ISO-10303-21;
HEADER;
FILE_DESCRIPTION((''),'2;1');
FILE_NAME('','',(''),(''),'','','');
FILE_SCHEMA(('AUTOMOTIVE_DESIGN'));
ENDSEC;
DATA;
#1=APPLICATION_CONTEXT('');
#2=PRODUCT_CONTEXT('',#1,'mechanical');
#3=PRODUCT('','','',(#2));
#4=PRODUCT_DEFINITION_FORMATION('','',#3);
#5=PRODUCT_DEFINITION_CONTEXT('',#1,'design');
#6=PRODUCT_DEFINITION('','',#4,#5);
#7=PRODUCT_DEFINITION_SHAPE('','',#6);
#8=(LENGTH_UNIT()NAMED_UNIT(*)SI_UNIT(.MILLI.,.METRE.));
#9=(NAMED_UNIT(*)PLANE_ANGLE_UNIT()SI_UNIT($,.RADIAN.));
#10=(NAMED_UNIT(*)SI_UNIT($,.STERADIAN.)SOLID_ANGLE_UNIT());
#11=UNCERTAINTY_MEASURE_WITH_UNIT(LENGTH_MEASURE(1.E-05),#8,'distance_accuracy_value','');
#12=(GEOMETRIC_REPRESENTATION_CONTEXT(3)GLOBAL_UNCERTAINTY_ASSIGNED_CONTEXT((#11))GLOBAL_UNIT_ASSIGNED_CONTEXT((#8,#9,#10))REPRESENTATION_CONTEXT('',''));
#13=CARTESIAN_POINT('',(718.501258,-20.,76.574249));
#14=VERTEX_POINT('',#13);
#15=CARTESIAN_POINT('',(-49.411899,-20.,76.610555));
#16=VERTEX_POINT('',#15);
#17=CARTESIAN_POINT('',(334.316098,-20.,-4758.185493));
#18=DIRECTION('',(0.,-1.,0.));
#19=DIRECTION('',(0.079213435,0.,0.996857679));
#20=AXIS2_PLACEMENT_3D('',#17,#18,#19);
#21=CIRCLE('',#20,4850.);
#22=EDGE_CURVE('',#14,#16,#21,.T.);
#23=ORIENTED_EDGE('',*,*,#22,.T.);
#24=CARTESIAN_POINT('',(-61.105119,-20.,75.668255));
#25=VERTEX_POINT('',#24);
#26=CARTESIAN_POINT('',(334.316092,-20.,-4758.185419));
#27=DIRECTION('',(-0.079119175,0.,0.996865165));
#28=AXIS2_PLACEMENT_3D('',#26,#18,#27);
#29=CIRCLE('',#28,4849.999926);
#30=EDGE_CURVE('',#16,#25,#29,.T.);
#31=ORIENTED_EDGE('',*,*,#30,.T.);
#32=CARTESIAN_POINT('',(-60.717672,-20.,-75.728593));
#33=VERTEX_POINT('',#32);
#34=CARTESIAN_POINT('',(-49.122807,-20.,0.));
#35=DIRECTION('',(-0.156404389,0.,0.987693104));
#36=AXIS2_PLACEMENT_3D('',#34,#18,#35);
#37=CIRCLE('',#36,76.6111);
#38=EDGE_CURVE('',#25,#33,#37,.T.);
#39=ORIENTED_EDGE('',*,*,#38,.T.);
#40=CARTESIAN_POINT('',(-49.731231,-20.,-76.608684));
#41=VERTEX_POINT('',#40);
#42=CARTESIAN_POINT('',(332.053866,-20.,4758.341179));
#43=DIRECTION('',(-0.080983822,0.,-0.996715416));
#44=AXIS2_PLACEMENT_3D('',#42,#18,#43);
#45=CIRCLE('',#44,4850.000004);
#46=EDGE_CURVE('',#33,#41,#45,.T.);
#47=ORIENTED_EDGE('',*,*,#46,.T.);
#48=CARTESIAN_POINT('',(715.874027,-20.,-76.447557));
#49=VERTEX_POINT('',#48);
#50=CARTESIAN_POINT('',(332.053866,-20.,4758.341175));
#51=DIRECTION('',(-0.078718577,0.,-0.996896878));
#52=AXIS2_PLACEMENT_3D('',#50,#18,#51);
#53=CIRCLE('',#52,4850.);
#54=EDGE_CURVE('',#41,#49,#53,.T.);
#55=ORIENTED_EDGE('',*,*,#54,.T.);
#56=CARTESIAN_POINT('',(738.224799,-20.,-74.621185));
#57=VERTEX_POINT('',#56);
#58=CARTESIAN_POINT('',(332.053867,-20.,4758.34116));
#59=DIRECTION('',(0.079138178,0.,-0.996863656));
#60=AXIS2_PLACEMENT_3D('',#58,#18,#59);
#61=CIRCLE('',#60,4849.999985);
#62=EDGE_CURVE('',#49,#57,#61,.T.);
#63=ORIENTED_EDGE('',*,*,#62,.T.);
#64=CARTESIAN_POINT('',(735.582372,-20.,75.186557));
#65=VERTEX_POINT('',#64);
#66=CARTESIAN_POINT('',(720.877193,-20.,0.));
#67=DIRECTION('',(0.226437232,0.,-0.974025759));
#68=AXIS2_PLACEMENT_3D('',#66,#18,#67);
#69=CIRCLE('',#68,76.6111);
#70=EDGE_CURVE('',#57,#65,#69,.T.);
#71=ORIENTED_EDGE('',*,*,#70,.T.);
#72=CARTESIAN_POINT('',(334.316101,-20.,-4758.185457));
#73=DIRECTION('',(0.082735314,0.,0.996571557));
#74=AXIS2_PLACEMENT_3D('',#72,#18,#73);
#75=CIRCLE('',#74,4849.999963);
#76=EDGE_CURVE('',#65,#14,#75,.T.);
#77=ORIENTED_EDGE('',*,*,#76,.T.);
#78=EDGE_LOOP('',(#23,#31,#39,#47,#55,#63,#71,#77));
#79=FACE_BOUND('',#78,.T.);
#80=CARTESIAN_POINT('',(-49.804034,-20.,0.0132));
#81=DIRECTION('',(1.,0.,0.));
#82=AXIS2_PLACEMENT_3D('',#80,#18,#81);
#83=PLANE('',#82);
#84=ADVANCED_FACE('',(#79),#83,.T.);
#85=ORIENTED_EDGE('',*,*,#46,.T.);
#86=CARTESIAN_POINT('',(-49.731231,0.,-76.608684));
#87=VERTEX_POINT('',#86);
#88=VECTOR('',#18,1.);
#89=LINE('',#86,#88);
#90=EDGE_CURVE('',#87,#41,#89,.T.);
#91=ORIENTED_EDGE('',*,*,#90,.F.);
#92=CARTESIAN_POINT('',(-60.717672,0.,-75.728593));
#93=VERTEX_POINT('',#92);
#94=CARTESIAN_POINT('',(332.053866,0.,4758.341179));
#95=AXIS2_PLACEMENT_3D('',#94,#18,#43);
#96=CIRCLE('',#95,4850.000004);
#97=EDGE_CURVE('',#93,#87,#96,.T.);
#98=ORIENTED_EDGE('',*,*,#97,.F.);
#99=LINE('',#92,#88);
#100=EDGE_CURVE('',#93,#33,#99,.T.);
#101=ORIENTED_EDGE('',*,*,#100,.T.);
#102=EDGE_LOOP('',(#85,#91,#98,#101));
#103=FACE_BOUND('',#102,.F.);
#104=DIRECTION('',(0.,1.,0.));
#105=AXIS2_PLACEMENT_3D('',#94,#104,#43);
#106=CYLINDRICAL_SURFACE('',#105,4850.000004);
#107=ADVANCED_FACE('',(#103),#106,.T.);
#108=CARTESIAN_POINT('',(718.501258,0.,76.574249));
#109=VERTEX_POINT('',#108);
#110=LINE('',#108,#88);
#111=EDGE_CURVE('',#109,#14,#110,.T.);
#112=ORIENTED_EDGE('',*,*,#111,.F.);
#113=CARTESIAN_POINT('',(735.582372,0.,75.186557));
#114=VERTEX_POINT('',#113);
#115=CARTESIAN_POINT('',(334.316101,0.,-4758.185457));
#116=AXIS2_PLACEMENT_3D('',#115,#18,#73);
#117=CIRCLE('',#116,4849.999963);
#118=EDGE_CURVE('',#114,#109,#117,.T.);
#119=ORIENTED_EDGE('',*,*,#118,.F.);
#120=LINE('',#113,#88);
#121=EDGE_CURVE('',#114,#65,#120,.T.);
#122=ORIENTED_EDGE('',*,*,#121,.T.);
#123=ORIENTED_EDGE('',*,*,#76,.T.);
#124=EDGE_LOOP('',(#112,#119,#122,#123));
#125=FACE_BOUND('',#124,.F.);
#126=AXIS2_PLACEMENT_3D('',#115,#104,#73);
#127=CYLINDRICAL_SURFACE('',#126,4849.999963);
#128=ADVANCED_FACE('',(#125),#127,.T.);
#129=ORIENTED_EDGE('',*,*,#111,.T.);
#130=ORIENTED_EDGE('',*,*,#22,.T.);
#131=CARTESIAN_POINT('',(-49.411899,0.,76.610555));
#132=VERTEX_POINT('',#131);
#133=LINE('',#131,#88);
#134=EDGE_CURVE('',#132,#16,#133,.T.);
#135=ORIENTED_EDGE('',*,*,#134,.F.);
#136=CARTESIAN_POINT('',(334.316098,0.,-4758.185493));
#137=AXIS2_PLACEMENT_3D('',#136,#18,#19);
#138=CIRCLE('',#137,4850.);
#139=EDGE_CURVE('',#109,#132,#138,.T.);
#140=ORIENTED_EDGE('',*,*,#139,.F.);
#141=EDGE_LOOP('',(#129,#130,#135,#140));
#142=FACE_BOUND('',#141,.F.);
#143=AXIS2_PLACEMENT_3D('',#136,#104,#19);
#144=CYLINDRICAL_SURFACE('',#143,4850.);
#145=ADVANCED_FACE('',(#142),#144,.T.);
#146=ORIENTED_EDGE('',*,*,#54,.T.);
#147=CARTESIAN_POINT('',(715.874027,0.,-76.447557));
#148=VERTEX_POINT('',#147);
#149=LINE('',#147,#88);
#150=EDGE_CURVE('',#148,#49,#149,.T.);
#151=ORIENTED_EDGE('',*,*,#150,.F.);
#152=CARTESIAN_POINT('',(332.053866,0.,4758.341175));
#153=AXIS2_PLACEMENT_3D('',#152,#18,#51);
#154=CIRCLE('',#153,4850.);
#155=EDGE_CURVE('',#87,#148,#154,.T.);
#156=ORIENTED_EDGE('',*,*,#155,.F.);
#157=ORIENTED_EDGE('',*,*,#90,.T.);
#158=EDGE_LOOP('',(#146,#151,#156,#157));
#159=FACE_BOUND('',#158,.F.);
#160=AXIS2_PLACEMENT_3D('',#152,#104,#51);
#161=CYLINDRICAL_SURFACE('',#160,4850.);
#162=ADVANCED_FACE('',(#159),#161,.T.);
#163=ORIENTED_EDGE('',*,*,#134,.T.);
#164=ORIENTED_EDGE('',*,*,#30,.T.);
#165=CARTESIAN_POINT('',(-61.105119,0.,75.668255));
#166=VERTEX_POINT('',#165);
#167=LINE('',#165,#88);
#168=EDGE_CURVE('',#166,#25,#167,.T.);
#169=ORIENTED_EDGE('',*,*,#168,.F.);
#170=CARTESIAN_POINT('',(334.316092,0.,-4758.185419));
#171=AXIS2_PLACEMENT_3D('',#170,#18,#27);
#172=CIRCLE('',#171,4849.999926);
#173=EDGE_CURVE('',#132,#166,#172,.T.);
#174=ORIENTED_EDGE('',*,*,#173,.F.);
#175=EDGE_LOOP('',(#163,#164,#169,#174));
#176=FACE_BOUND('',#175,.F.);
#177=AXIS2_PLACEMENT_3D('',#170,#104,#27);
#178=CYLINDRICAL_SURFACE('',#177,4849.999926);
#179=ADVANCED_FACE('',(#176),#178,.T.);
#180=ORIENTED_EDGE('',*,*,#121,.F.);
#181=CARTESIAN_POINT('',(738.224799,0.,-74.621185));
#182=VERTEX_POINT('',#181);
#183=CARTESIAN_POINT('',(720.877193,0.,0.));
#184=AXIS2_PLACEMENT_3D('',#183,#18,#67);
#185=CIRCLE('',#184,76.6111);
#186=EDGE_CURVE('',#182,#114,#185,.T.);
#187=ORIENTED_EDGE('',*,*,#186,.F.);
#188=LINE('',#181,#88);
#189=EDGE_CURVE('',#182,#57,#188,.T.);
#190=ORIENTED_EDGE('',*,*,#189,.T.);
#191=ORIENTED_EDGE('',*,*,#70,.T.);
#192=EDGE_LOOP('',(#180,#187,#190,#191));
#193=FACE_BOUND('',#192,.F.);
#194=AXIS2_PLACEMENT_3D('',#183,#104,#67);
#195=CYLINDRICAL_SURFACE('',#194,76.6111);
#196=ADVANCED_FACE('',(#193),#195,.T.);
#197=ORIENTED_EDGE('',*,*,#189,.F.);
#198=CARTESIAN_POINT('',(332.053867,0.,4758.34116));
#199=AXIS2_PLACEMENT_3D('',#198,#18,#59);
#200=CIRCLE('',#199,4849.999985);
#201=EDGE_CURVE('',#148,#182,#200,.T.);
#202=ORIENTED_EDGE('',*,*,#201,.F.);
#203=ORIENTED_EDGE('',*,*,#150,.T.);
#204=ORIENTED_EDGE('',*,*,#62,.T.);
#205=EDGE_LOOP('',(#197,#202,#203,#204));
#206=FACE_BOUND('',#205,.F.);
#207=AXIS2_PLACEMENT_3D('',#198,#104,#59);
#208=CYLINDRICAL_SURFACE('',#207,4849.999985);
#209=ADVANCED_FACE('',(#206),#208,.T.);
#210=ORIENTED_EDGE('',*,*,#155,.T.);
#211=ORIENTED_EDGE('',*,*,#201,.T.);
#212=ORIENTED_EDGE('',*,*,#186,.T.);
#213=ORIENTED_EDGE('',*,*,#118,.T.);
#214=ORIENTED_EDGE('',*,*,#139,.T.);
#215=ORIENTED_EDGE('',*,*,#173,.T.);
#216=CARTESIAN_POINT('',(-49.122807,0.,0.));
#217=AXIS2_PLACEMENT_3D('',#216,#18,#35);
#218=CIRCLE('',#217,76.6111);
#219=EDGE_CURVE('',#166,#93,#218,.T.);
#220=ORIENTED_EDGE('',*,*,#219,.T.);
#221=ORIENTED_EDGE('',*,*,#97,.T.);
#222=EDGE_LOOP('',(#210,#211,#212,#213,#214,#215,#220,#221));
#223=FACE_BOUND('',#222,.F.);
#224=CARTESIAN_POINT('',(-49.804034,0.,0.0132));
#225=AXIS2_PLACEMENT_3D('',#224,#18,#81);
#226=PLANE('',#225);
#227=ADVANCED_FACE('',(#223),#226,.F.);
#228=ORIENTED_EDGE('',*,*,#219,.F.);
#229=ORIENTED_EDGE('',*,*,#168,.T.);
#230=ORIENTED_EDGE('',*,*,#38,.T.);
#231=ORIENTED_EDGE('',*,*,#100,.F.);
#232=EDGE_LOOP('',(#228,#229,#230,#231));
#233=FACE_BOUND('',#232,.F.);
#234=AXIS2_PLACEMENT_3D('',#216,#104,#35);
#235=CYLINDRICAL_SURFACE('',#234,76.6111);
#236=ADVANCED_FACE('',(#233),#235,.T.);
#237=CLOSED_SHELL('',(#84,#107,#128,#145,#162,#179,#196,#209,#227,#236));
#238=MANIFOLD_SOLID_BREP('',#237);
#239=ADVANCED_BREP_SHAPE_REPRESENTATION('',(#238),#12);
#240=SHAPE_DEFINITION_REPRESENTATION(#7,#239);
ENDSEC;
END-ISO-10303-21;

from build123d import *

# Parameters (mm, degrees)
F1_DEPTH = 20


with BuildPart() as f1:
    # F0 (on Front) → F1 (new body)
    with BuildSketch(Plane.XZ):
        with BuildLine():
            ThreePointArc((-49.4118990528, 76.6105545521), (-55.2587939096, 76.1429402719), (-61.1051189604, 75.6682551314))
            ThreePointArc((-61.1051189604, 75.6682551314), (-125.7336557681, -0.1960582776), (-60.7176724626, -75.7285925508))
            ThreePointArc((-60.7176724626, -75.7285925508), (-55.2247015197, -76.1717591135), (-49.7312305742, -76.6086839955))
            ThreePointArc((-49.7312305742, -76.6086839955), (4.8338825494, -54.3869132705), (27.4882933615, 0))
            ThreePointArc((27.4882933615, 0), (4.9471154779, 54.2743416868), (-49.4118990528, 76.6105545521))
        make_face()
        with BuildLine():
            ThreePointArc((718.501257532, 76.5742487534), (334.5453989179, 91.8145012916), (-49.4118990528, 76.6105545521))
            ThreePointArc((-49.4118990528, 76.6105545521), (4.9471154779, 54.2743416868), (27.4882933615, 0))
            Line((27.4882933615, 0), (644.2660933615, 0))
            ThreePointArc((644.2660933615, 0), (665.8713586681, 53.3255922882), (718.501257532, 76.5742487534))
        make_face()
        with BuildLine():
            ThreePointArc((27.4882933615, 0), (4.8338825494, -54.3869132705), (-49.7312305742, -76.6086839955))
            ThreePointArc((-49.7312305742, -76.6086839955), (333.0745823568, -91.6587174557), (715.8740266059, -76.4475569631))
            ThreePointArc((715.8740266059, -76.4475569631), (664.9640520089, -52.3734786632), (644.2660933615, 0))
            Line((644.2660933615, 0), (27.4882933615, 0))
        make_face()
        with BuildLine():
            ThreePointArc((735.582371802, 75.1865571112), (727.0424275905, 75.8879474157), (718.501257532, 76.5742487534))
            ThreePointArc((718.501257532, 76.5742487534), (665.8713586681, 53.3255922882), (644.2660933615, 0))
            ThreePointArc((644.2660933615, 0), (664.9640520089, -52.3734786632), (715.8740266059, -76.4475569631))
            ThreePointArc((715.8740266059, -76.4475569631), (727.0504682983, -75.5472890184), (738.2247988082, -74.6211848504))
            ThreePointArc((738.2247988082, -74.6211848504), (780.8700253452, -47.6457842184), (797.4882933615, 0))
            ThreePointArc((797.4882933615, 0), (780.0204116508, 48.6964102742), (735.582371802, 75.1865571112))
        make_face()
    extrude(amount=F1_DEPTH)


solid = f1.part
